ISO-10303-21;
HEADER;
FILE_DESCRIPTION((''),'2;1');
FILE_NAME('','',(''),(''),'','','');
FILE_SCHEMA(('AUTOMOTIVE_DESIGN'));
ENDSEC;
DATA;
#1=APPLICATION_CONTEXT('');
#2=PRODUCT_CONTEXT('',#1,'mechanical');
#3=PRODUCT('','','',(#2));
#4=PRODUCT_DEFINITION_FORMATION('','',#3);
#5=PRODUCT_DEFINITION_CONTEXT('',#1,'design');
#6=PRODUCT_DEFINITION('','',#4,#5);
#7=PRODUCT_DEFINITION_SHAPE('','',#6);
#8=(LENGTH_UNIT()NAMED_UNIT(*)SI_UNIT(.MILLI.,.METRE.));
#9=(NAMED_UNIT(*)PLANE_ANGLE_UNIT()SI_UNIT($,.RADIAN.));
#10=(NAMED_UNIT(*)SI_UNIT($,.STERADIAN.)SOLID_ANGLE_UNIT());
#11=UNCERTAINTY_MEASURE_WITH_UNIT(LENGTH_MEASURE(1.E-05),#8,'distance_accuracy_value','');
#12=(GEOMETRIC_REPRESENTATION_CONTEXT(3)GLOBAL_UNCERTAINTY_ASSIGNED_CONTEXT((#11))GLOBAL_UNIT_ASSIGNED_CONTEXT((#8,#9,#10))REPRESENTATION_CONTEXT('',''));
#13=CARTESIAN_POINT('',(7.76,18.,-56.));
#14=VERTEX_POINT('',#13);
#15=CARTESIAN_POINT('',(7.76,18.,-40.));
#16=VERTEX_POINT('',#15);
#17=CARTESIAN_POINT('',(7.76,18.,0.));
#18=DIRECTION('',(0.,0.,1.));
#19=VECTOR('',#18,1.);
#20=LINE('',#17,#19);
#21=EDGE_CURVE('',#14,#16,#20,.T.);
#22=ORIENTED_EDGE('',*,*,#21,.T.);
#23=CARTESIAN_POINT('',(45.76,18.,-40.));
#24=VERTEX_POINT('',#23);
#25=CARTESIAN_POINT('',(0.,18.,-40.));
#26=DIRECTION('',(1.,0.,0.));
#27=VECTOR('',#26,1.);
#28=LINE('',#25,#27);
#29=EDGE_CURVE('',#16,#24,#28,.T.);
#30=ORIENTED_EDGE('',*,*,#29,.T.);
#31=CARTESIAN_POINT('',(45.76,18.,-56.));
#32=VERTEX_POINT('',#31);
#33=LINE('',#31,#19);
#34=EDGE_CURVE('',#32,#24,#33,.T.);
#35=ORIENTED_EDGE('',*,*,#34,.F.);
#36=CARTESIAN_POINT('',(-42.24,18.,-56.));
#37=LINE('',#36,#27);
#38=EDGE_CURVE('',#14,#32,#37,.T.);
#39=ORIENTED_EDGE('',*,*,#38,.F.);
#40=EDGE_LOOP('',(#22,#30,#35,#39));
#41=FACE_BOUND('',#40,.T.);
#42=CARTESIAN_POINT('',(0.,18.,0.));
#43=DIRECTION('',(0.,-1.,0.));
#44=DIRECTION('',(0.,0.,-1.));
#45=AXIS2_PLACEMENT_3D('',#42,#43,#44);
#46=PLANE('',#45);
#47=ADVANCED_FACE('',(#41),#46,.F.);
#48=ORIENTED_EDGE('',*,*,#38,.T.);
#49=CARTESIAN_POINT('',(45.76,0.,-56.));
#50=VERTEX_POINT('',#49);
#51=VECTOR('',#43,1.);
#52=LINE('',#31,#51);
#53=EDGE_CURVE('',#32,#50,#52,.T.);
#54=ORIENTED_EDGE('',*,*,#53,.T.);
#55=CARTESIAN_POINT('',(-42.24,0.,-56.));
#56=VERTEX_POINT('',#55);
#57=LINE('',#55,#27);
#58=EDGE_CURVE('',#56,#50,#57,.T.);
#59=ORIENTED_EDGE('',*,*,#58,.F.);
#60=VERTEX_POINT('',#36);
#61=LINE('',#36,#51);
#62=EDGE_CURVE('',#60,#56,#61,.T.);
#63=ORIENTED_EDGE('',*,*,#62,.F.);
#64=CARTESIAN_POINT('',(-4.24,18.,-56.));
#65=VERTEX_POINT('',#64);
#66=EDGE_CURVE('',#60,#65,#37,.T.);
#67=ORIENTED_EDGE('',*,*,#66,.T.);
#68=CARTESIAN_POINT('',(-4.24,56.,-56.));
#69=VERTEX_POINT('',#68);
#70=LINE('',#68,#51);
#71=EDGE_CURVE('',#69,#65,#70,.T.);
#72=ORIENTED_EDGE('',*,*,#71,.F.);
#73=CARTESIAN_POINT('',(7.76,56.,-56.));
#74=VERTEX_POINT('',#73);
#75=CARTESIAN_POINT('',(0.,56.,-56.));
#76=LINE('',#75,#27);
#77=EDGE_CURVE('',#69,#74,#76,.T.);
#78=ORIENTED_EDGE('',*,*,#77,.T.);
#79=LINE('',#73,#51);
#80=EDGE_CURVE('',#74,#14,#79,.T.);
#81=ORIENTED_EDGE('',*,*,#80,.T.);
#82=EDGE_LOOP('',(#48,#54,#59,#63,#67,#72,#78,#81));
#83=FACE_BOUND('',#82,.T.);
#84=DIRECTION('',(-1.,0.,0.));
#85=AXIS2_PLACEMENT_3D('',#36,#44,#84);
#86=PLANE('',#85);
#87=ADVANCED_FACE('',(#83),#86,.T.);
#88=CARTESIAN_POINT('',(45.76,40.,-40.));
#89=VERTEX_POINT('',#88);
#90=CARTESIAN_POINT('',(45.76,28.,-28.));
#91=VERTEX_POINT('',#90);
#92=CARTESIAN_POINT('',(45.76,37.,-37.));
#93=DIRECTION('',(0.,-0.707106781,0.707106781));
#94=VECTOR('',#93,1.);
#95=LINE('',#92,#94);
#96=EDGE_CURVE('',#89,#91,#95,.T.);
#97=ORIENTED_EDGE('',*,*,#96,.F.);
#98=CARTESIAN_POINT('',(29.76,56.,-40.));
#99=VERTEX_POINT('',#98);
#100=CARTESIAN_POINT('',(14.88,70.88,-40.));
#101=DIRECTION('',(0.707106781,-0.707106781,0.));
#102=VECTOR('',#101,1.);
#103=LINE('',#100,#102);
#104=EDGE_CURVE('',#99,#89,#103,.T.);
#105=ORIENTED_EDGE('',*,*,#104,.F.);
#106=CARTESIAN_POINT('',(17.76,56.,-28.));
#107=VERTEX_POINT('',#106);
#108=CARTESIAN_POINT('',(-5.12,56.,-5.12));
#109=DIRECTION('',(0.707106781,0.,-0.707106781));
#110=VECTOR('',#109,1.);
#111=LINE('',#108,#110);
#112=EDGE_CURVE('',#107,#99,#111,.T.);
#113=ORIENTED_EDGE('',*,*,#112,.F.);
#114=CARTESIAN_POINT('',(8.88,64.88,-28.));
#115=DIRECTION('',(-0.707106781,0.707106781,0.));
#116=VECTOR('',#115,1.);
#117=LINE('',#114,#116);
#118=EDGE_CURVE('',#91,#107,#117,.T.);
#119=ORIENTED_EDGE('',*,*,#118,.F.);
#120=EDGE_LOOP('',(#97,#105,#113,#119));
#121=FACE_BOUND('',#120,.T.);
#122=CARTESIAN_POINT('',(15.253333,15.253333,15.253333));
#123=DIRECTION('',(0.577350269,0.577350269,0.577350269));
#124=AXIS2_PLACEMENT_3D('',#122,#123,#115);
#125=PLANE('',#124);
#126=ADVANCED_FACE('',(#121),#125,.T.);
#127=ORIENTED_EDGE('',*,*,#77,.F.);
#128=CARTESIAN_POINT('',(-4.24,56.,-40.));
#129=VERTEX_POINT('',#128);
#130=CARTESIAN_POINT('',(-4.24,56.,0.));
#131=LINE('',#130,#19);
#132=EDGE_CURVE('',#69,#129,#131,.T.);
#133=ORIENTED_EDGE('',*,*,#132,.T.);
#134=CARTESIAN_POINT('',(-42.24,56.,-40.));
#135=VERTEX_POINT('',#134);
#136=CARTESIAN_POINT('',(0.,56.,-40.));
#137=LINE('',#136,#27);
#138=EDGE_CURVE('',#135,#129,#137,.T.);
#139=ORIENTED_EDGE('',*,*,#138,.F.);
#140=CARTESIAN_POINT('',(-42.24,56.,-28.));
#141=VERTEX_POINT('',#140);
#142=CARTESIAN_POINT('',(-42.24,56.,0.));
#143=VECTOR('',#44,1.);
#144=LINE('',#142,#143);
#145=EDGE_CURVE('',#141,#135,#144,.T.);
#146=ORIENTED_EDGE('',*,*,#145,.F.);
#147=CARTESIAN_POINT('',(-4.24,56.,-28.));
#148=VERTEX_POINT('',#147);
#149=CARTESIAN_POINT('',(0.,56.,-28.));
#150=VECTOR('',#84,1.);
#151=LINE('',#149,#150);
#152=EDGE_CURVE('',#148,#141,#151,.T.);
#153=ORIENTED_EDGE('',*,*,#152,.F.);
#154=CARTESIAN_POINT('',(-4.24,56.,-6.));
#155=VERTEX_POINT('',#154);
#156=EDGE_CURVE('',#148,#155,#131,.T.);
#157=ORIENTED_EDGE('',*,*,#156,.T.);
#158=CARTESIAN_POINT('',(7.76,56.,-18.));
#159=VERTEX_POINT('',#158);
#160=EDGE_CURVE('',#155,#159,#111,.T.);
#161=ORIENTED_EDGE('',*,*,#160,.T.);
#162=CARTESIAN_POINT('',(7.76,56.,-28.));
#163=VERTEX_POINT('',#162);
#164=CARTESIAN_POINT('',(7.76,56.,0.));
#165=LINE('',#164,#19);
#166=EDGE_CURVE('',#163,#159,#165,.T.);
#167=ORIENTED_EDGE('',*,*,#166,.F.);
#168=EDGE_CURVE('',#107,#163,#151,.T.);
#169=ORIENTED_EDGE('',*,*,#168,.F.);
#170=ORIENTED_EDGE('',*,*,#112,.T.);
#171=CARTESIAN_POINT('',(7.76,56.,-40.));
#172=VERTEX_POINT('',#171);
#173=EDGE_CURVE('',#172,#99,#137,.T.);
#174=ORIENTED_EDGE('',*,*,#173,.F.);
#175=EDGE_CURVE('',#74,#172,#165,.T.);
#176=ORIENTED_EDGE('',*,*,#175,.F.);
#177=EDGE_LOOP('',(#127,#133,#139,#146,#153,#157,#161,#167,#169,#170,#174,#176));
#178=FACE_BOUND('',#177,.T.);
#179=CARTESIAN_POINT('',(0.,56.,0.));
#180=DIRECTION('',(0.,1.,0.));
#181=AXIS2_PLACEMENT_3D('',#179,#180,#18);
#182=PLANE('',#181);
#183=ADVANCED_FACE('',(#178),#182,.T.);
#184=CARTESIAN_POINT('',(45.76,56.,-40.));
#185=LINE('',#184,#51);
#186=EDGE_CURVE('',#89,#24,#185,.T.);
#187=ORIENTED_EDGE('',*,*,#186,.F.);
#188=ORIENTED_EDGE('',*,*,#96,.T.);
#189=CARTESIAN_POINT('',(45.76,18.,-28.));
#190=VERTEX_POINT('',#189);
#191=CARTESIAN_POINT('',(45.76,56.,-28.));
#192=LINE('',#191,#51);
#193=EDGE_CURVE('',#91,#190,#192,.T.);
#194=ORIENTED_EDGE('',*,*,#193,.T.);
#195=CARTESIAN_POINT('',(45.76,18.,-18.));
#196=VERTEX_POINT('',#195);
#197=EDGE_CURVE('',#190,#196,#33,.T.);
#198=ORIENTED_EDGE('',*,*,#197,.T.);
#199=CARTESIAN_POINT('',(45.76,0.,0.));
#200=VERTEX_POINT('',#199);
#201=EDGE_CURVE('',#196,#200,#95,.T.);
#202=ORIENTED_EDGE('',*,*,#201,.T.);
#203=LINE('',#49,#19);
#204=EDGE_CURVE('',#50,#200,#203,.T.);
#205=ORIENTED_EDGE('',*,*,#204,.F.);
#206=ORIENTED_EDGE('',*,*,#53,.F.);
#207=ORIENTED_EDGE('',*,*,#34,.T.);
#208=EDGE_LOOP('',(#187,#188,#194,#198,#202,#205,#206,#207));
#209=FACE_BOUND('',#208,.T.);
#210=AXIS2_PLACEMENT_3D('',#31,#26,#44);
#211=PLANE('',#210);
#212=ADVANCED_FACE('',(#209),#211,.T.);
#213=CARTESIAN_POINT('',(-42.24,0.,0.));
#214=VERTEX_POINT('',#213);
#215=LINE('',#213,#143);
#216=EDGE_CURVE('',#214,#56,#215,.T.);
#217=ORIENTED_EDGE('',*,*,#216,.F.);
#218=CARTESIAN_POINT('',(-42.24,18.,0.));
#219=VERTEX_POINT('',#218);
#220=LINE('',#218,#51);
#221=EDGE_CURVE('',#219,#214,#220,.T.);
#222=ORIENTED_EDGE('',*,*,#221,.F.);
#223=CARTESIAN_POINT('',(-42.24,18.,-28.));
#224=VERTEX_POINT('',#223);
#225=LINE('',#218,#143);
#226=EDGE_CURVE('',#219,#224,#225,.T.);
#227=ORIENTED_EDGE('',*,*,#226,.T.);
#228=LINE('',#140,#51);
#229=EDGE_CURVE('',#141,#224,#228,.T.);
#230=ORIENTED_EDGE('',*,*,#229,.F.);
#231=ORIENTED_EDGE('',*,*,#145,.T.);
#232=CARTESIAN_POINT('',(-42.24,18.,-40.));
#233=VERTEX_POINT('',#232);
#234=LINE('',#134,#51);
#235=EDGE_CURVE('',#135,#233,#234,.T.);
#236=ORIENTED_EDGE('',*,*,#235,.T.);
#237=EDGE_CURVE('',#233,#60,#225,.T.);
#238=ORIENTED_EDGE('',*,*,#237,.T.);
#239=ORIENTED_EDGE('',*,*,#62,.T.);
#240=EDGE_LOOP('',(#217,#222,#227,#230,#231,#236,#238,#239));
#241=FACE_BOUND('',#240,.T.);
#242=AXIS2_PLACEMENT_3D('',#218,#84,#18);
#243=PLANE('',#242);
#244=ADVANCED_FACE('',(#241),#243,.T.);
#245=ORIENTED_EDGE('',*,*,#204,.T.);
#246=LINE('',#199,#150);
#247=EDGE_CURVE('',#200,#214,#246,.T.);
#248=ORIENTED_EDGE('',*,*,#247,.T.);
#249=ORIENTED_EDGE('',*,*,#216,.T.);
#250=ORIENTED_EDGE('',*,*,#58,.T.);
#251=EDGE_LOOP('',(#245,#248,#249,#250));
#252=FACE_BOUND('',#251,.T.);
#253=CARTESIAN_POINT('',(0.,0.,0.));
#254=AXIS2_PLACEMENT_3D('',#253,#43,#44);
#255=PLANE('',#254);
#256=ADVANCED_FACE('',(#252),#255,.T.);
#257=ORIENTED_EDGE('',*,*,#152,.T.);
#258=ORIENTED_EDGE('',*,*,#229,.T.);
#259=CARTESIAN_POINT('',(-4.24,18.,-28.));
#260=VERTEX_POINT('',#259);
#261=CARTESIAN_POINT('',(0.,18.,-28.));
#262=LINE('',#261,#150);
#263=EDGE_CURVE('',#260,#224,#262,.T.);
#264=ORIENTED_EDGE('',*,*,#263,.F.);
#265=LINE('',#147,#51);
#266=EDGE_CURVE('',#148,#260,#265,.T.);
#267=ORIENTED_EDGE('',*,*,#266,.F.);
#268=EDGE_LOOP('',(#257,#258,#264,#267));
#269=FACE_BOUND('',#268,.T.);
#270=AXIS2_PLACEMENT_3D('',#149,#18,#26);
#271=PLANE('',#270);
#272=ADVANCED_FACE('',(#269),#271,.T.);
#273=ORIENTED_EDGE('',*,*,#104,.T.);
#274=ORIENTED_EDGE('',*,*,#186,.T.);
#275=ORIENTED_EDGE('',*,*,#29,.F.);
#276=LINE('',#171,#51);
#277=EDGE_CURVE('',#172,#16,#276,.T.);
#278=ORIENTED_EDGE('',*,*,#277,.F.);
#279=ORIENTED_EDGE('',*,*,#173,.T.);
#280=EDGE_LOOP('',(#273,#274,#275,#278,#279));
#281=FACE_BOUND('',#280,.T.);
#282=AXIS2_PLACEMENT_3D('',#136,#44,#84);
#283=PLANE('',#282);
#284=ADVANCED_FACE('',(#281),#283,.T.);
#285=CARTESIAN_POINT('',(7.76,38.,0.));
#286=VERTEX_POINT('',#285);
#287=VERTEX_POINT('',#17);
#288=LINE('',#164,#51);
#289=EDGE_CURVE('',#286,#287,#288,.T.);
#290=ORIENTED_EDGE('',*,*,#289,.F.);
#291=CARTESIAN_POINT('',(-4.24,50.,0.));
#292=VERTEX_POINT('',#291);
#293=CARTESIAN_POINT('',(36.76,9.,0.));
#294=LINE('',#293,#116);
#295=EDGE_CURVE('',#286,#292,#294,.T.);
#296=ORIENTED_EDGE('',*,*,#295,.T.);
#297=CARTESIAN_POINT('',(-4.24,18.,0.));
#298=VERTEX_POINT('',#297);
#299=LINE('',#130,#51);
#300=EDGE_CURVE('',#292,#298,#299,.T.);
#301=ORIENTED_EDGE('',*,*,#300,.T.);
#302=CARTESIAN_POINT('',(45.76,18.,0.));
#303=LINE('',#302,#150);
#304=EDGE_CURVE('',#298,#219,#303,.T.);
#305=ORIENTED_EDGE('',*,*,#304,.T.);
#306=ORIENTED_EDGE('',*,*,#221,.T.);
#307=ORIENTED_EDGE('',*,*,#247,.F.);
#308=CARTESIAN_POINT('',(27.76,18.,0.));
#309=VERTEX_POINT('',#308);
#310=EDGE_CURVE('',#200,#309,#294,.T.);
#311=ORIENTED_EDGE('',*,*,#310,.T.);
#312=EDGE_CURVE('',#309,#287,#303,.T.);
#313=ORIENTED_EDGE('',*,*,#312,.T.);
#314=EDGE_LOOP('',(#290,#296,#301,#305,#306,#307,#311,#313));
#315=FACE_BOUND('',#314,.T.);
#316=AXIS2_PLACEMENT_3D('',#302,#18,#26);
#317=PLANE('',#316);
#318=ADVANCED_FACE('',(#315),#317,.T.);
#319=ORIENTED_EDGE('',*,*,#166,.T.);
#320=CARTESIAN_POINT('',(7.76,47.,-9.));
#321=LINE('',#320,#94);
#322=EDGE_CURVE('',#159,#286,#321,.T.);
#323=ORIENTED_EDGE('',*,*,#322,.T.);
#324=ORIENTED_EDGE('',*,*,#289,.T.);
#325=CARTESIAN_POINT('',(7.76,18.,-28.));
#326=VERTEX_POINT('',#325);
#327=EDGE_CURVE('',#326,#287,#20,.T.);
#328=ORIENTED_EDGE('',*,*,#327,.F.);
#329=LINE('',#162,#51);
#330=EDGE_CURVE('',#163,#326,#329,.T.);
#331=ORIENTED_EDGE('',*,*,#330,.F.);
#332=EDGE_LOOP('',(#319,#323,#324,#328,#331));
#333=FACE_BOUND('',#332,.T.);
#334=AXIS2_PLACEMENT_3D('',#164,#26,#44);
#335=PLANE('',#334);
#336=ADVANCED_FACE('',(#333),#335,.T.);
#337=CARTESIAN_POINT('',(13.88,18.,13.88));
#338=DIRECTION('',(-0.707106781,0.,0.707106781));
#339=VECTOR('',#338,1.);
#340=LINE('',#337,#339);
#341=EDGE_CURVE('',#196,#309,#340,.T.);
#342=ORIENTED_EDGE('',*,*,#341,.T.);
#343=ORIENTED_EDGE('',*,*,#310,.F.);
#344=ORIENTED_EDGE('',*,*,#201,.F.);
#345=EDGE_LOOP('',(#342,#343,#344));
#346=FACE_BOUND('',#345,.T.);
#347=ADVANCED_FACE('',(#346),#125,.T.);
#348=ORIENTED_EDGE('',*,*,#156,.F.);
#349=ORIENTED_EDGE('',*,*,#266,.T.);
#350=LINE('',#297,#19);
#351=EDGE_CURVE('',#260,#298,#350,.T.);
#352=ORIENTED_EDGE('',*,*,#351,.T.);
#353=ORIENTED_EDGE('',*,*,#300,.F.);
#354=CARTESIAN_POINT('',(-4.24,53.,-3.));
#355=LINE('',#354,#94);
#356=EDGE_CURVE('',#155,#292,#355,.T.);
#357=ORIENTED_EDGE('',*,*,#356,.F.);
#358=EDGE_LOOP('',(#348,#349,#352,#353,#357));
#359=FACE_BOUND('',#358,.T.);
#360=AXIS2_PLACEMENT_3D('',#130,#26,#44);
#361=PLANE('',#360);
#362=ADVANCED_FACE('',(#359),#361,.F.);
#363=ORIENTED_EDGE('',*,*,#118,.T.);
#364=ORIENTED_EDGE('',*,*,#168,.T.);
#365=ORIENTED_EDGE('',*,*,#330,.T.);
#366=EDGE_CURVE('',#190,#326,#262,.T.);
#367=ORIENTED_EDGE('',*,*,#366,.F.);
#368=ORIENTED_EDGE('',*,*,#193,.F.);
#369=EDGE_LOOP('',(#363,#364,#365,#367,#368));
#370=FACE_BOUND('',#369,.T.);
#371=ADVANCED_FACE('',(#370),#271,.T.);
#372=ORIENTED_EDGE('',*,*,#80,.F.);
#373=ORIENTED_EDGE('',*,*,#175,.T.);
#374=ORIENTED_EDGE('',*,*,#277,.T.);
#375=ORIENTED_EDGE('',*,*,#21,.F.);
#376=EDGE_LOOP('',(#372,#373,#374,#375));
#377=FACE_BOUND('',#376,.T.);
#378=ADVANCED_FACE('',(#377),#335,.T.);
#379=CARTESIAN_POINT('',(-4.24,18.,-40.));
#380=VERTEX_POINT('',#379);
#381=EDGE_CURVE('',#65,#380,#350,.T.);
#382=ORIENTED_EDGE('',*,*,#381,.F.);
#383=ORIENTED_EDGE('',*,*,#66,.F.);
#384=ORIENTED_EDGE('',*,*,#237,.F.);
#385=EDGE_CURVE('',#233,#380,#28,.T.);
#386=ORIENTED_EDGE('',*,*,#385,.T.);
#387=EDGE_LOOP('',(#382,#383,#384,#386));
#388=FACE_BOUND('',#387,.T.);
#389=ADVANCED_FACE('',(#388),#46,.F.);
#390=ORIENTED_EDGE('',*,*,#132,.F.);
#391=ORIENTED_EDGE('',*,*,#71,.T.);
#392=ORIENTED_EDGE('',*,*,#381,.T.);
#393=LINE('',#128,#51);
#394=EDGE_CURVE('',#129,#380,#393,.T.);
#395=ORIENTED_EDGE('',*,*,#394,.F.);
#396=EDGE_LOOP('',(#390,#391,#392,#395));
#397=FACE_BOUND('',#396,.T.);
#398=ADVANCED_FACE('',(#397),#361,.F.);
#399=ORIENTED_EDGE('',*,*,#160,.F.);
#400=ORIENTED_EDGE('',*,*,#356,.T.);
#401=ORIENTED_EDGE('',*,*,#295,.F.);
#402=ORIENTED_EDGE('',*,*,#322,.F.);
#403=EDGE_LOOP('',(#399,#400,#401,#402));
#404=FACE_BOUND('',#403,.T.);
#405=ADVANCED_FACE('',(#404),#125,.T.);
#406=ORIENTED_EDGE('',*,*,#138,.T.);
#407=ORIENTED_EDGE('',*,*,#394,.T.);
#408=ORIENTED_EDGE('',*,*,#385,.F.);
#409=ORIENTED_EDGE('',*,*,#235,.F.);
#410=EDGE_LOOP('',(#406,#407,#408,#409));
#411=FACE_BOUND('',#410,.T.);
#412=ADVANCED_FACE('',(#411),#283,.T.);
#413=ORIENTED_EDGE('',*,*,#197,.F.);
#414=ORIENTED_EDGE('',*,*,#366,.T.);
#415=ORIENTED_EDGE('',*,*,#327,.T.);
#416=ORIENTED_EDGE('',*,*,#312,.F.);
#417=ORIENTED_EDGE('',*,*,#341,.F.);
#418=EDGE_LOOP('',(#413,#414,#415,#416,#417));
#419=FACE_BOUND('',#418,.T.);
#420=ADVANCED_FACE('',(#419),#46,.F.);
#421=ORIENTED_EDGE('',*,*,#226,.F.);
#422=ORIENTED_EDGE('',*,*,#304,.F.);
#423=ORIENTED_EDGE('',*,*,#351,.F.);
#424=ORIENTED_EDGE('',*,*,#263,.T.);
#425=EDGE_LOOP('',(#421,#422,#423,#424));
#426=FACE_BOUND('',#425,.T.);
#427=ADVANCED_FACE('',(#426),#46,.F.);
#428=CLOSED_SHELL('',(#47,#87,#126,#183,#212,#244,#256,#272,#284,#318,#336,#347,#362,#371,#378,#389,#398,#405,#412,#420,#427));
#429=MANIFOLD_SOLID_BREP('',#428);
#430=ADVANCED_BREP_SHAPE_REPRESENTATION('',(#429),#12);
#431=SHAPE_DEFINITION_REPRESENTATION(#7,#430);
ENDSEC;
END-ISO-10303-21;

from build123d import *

# Parameters (mm, degrees)
SKETCH1_W           = 88
SKETCH1_H           = 56
BOSS_EXTRUDE1_DEPTH = 18
BOSS_EXTRUDE2_DEPTH = 56
SKETCH4_W           = 161.292605704
SKETCH4_H           = 128.574655565
CUT_EXTRUDE1_DEPTH  = 56


with BuildPart() as part:
    # Sketch1 → Boss-Extrude1 (new body)
    with BuildSketch(Plane(origin=(0, 0, 0), x_dir=(1, 0, 0), z_dir=(0, 1, 0))):
        with Locations((1.76, 28)):
            Rectangle(SKETCH1_W, SKETCH1_H)
    extrude(amount=BOSS_EXTRUDE1_DEPTH)

    # Sketch1<3> → Boss-Extrude2 (add)
    with BuildSketch(Plane(origin=(0, 0, 0), x_dir=(1, 0, 0), z_dir=(0, 1, 0))):
        Polygon((-42.24, 40), (-42.24, 28), (-4.24, 28), (-4.24, 0), (7.76, 0), (7.76, 28), (45.76, 28), (45.76, 40), (7.76, 40), (7.76, 56), (-4.24, 56), (-4.24, 40), align=None)
    extrude(amount=BOSS_EXTRUDE2_DEPTH)

    # Sketch4 → Cut-Extrude1 (cut)
    with BuildSketch(Plane(origin=(15.253333333, 15.253333333, 15.253333333), x_dir=(0.40824829046386324, 0.40824829046386196, -0.8164965809277265), z_dir=(0.5773502691896268, 0.5773502691896253, 0.5773502691896252))):
        with Locations((33.378380228, 7.240773439)):
            Rectangle(SKETCH4_W, SKETCH4_H)
    extrude(amount=CUT_EXTRUDE1_DEPTH, mode=Mode.SUBTRACT)


solid = part.part
